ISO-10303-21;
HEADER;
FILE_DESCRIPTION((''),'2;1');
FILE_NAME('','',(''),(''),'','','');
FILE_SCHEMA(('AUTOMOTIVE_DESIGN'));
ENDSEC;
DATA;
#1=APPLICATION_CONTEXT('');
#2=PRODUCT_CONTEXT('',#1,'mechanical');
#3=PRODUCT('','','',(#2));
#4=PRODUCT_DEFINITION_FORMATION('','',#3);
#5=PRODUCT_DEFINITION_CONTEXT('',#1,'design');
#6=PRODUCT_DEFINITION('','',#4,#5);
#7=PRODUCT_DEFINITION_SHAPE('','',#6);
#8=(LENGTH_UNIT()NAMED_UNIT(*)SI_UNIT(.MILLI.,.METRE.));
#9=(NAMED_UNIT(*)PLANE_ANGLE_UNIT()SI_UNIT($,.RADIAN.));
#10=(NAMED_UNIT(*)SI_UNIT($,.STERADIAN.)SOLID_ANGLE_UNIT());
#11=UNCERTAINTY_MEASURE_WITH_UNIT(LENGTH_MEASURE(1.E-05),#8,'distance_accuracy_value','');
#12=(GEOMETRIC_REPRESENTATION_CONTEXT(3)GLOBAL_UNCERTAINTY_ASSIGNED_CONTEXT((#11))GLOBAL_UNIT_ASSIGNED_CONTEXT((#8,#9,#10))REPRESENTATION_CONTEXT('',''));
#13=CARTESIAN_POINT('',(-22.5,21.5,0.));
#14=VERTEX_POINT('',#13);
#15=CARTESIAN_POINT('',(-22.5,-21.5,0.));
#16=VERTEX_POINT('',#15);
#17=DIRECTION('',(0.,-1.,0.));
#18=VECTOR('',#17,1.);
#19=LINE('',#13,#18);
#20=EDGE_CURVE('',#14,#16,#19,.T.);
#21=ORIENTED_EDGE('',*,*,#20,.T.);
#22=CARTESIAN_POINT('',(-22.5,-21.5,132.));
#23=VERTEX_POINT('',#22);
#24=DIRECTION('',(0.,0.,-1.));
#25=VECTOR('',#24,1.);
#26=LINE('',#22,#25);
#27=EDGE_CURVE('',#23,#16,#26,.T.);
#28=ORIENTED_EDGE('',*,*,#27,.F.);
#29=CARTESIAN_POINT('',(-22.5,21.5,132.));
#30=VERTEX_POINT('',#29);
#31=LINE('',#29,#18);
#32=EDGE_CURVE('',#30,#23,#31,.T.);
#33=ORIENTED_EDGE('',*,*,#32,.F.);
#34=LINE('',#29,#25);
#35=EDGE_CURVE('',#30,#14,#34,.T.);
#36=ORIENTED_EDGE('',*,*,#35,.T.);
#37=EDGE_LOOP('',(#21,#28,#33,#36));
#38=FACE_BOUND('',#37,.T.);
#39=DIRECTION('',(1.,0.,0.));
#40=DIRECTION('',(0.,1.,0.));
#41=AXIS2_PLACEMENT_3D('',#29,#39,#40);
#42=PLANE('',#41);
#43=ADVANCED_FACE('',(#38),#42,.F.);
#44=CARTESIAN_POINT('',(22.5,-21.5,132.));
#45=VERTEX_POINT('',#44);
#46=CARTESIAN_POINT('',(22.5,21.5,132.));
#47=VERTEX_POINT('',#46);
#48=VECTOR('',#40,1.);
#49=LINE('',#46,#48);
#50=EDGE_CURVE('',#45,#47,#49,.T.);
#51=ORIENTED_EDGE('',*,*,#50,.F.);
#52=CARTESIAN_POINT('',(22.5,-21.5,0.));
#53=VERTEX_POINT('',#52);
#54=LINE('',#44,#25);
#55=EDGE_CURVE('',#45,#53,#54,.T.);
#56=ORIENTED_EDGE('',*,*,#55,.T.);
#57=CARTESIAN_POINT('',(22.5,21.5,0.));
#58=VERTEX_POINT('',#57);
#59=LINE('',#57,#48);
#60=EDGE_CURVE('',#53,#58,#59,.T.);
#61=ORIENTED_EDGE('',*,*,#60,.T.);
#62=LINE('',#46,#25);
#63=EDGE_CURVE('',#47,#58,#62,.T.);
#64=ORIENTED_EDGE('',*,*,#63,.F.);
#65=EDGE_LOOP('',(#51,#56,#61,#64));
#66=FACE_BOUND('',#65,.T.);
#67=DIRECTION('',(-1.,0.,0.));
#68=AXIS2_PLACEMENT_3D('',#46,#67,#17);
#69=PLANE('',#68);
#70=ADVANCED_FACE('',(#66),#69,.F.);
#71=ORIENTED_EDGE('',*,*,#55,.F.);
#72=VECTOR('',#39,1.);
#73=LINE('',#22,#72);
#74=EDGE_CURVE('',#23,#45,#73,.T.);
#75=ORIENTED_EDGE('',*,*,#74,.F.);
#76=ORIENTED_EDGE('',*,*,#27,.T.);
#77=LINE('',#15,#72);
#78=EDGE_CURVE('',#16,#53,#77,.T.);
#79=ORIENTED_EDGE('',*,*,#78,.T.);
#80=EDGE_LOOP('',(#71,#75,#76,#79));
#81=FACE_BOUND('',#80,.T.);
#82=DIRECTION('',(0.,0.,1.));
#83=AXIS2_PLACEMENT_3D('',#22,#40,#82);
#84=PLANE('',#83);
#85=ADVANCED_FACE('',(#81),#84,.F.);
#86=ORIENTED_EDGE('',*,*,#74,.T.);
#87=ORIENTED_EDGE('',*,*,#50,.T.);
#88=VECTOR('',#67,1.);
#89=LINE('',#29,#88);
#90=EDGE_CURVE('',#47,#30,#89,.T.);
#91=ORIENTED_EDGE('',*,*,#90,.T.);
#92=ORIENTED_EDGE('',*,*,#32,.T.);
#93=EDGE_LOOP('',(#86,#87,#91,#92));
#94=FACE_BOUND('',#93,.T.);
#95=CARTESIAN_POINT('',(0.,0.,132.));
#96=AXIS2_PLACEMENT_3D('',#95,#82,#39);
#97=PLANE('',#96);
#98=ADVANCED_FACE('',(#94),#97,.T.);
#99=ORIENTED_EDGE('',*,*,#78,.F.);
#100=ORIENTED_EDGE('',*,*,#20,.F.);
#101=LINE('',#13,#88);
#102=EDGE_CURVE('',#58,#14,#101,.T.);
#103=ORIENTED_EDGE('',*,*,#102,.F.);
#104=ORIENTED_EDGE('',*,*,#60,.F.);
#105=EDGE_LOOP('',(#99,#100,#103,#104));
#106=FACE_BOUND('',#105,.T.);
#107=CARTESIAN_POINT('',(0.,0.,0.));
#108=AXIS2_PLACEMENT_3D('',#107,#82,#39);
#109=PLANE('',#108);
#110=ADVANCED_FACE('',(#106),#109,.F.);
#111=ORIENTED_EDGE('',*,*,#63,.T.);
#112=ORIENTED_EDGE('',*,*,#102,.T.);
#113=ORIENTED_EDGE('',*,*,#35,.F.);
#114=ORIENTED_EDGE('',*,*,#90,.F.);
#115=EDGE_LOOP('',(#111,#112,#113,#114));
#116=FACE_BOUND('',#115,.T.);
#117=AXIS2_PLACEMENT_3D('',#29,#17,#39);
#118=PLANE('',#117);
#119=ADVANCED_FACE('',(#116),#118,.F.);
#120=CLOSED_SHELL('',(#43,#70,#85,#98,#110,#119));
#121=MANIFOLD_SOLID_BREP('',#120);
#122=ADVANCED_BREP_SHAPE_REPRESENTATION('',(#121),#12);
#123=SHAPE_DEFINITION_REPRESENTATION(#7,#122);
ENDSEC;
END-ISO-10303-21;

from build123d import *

# Parameters (mm, degrees)
IZIM1_W                     = 45
IZIM1_H                     = 43
Y_KSEKLIK_EKSTR_ZYON1_DEPTH = 132


with BuildPart() as part:
    # Çizim1 → Yükseklik-Ekstrüzyon1 (new body)
    with BuildSketch(Plane.XY):
        Rectangle(IZIM1_W, IZIM1_H)
    extrude(amount=Y_KSEKLIK_EKSTR_ZYON1_DEPTH)


solid = part.part
